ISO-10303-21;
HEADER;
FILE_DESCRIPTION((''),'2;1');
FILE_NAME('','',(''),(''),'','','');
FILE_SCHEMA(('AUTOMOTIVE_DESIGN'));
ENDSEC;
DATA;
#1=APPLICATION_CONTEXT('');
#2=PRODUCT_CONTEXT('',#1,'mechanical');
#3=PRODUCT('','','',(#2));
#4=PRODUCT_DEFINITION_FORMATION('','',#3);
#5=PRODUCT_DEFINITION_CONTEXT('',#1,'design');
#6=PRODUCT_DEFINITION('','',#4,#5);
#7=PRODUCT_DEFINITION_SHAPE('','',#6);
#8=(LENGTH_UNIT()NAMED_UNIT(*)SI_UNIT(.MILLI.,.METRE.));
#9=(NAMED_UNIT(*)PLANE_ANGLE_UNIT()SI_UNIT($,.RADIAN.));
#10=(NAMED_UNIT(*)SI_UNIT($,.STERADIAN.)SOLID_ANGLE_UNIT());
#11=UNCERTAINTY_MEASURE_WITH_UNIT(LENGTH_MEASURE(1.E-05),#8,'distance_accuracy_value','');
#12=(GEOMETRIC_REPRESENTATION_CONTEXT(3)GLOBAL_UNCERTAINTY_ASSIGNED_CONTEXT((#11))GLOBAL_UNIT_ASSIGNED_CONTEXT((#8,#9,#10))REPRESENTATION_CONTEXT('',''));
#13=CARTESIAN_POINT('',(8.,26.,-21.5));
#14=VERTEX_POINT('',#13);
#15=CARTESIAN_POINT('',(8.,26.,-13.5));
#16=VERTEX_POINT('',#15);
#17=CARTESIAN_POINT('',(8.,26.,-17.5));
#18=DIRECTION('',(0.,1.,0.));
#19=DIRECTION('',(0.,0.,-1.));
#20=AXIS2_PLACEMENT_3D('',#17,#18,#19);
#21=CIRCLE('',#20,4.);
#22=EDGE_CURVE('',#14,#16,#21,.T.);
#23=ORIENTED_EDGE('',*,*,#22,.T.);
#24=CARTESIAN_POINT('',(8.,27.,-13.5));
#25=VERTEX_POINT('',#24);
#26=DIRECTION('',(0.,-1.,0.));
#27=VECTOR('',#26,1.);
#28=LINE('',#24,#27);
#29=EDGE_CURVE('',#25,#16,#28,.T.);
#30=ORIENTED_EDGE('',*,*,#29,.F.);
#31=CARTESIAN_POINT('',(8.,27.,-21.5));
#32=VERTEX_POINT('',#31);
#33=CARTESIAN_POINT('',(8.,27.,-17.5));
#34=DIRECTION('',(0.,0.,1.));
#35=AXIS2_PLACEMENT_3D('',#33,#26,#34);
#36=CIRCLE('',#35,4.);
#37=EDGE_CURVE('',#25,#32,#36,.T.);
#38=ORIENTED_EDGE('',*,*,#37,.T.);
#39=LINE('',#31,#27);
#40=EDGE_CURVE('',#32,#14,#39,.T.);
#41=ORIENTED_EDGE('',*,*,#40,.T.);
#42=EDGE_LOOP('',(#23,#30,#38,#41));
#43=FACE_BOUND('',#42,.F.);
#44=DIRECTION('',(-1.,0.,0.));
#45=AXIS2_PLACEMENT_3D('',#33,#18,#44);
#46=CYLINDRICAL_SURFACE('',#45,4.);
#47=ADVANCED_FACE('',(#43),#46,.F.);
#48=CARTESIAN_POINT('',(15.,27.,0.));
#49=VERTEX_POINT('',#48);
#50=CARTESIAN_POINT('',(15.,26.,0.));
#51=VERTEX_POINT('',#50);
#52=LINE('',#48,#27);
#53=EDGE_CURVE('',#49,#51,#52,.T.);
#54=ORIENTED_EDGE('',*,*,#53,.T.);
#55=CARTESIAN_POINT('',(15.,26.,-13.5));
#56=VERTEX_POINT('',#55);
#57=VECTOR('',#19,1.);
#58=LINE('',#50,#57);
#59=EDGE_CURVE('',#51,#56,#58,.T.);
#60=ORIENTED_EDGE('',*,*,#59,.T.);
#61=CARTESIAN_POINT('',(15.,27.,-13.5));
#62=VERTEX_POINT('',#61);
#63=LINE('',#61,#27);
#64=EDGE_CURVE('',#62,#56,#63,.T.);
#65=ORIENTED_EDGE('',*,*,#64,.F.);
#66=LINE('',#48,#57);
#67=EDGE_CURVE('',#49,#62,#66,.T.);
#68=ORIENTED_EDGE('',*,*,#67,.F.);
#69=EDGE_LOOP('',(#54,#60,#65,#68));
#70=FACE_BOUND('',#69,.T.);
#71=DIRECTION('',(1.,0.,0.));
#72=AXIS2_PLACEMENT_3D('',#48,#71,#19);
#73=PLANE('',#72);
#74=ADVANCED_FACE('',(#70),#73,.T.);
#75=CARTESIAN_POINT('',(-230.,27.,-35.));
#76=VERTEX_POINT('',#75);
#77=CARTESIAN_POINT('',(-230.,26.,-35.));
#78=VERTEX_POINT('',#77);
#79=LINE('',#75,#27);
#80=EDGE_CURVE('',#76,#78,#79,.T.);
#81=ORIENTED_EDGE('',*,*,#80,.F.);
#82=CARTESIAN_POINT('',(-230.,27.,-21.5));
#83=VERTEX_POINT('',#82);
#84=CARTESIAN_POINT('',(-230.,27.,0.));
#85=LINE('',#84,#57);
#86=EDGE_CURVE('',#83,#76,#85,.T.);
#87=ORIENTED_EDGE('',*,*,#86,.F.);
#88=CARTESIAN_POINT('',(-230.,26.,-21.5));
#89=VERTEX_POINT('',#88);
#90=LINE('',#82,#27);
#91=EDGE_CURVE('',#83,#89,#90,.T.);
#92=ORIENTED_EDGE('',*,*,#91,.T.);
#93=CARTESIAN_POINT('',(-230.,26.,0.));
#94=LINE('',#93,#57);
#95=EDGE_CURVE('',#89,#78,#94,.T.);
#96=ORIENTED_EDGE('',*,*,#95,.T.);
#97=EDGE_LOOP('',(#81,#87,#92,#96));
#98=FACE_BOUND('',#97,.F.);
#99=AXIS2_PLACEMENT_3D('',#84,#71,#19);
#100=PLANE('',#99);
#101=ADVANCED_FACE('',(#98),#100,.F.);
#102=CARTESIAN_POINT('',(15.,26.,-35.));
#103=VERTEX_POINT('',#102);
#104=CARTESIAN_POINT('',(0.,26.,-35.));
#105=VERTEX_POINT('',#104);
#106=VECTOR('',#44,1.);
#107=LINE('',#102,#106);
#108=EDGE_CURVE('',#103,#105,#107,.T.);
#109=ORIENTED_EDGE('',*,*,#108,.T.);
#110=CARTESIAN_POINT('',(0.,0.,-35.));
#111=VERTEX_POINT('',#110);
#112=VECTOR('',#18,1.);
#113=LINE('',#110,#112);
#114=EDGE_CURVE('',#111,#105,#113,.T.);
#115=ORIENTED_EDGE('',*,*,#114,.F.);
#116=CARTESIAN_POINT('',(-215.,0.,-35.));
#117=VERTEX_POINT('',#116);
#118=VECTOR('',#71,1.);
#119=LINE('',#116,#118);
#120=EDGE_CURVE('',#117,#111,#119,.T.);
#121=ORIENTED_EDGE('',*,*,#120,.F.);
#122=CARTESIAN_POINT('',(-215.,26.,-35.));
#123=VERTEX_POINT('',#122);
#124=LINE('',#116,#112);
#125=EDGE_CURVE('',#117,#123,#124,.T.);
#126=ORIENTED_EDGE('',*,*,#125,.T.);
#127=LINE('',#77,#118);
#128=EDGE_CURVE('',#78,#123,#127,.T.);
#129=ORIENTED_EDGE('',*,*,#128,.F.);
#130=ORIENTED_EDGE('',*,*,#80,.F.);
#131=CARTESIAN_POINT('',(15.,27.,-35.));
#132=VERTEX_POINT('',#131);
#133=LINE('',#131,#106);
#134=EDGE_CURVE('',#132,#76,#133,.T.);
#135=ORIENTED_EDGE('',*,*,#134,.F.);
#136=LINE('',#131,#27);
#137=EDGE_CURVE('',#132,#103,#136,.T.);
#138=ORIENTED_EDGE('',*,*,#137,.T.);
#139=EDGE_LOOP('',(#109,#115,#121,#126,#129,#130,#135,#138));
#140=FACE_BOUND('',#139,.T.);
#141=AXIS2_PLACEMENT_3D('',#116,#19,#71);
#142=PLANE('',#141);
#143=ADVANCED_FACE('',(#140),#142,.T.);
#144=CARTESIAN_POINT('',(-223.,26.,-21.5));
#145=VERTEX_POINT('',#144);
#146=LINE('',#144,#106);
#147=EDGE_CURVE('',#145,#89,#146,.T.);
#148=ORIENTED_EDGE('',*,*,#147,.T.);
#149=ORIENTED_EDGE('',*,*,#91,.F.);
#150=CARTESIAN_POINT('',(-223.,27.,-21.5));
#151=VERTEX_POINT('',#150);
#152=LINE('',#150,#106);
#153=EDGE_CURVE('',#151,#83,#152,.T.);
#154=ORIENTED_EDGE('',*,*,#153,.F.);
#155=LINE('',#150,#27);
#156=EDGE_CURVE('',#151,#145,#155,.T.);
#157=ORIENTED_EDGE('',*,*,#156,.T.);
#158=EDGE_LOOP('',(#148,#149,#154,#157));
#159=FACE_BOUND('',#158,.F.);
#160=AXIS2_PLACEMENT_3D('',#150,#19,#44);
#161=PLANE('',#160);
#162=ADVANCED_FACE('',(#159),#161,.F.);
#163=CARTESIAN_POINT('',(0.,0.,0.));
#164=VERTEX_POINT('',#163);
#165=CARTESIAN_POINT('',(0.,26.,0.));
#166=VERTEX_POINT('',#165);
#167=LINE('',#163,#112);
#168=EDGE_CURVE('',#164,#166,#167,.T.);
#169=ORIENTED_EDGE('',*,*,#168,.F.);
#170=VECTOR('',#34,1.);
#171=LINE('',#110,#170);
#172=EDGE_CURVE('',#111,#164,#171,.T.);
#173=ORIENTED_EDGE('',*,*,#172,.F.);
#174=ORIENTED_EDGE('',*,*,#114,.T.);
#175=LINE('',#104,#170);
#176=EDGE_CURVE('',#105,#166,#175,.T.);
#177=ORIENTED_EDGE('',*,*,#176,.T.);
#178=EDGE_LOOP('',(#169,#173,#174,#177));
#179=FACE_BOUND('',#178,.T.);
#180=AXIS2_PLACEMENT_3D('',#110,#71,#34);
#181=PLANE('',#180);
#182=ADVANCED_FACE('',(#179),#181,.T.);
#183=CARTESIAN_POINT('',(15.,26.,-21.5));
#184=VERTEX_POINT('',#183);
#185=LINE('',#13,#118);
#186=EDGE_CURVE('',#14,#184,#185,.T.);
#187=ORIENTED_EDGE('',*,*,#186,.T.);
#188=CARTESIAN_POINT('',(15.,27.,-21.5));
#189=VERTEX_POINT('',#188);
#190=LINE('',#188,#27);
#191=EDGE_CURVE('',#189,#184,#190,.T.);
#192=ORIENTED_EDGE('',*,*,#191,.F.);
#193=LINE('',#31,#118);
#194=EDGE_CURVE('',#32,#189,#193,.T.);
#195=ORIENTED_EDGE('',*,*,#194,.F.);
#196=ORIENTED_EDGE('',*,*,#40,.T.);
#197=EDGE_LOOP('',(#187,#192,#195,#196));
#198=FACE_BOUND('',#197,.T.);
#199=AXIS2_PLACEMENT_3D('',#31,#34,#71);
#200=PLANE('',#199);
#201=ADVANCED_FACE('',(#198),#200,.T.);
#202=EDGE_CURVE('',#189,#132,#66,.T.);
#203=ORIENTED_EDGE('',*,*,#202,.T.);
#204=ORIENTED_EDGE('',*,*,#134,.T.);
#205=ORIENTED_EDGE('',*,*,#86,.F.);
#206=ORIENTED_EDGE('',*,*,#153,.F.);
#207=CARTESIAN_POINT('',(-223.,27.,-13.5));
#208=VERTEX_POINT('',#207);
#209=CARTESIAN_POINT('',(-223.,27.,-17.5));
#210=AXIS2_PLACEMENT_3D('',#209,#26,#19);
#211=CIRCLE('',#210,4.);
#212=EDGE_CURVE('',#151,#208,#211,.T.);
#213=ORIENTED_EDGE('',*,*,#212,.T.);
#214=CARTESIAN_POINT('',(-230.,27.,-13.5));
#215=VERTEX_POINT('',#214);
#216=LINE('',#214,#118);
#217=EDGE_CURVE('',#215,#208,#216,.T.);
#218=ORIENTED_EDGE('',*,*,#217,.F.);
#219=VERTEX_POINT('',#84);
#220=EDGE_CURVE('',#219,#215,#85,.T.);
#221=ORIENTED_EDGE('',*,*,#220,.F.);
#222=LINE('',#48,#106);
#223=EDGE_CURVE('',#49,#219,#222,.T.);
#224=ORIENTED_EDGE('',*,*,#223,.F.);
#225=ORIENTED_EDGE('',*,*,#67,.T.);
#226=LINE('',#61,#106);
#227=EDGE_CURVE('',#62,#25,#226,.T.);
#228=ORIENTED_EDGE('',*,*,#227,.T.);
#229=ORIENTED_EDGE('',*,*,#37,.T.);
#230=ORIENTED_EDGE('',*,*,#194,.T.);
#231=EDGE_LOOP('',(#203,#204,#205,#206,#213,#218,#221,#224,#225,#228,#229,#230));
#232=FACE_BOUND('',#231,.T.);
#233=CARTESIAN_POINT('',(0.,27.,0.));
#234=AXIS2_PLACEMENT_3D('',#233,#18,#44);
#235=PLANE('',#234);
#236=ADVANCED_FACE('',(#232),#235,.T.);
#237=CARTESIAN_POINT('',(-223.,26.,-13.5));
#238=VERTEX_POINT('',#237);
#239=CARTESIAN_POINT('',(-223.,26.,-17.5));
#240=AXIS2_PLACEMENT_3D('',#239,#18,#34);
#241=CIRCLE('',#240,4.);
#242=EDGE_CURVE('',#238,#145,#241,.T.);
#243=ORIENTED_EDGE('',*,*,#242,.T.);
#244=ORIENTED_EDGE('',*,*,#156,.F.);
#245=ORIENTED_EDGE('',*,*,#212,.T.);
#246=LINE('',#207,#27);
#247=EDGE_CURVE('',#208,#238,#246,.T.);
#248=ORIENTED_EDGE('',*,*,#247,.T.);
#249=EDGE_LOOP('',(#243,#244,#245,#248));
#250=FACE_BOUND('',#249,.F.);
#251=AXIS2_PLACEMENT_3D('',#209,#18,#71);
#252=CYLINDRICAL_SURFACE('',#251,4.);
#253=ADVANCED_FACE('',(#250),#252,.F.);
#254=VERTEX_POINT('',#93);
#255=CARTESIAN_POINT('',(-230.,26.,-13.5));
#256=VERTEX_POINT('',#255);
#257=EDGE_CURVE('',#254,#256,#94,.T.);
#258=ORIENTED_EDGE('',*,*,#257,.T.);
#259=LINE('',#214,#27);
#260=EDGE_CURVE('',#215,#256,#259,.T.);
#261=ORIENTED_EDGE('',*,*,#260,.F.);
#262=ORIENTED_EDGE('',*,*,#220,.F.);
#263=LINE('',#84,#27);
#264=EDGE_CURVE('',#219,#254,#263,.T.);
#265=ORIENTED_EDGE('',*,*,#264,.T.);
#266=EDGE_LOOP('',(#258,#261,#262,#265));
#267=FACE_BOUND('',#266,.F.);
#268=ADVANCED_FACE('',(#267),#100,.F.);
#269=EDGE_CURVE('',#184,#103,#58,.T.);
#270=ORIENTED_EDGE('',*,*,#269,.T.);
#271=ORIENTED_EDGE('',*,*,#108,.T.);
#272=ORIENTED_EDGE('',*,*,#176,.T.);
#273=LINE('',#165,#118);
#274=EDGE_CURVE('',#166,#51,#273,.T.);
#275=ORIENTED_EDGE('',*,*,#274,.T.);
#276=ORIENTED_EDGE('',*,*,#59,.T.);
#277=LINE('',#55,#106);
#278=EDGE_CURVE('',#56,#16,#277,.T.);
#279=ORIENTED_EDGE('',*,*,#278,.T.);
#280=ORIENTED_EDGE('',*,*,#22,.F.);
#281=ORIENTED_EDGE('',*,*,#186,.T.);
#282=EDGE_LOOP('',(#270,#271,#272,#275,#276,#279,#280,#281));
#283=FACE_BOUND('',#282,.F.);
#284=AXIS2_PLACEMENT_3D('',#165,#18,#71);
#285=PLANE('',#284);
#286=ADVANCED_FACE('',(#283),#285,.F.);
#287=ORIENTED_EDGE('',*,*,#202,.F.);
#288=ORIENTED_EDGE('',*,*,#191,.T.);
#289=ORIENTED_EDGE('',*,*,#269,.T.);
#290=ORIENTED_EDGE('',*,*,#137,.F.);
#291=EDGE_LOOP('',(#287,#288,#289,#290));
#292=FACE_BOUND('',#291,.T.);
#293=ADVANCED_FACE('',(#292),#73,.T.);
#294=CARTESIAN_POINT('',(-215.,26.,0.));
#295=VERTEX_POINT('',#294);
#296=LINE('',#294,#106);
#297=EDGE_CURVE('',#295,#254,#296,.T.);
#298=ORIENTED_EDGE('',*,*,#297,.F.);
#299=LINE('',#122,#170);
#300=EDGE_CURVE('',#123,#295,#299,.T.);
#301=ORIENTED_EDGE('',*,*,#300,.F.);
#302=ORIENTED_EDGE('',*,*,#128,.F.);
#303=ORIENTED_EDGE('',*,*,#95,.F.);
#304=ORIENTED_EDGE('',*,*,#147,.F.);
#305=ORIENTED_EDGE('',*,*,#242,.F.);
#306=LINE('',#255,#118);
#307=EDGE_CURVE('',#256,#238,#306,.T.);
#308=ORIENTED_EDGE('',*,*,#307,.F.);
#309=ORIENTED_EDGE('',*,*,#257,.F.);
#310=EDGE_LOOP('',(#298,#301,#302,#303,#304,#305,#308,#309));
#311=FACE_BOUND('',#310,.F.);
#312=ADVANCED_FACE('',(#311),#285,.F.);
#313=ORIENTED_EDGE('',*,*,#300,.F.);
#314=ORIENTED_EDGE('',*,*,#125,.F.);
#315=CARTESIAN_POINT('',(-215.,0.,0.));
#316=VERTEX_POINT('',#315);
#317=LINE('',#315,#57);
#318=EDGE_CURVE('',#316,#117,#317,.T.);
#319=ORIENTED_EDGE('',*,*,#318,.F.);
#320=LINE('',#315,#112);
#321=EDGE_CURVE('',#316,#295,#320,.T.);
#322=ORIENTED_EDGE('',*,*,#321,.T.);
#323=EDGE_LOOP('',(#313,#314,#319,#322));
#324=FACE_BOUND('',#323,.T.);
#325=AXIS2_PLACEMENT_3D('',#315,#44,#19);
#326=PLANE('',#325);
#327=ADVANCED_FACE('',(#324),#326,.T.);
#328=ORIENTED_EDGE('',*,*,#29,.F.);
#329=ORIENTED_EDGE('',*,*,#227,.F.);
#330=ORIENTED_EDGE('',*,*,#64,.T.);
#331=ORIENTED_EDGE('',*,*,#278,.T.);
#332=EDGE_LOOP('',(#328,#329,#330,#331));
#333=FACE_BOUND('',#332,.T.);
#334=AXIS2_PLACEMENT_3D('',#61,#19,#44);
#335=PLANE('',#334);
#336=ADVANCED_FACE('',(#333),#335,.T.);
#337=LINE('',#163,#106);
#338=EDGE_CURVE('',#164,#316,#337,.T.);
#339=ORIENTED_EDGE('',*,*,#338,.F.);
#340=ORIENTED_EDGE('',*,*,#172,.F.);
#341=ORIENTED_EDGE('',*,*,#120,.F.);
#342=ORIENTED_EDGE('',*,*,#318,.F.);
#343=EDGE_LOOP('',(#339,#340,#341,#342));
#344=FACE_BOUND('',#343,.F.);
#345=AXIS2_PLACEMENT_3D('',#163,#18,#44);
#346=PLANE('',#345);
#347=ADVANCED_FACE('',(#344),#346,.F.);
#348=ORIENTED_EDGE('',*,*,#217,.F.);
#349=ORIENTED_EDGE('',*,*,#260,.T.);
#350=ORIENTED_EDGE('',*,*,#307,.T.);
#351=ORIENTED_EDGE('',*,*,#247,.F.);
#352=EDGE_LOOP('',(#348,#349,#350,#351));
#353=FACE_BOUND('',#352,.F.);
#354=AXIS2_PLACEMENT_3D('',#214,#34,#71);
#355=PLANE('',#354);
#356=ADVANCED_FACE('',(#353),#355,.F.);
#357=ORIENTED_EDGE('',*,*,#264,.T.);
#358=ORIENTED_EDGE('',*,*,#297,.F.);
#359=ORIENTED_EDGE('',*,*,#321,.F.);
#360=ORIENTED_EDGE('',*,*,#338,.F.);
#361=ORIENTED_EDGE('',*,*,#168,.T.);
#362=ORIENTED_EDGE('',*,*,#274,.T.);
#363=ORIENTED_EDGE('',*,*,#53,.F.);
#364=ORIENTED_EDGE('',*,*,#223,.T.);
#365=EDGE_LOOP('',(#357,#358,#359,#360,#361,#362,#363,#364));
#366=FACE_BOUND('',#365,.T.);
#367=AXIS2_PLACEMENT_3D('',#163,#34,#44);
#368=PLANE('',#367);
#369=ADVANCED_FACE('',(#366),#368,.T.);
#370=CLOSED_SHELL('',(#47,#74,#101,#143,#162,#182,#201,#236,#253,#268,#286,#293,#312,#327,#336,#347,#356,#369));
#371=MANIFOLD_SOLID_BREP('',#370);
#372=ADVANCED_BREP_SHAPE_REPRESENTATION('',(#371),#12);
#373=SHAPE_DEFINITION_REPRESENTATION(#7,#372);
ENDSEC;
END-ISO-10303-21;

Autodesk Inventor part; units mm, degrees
ref_plane "YZ Plane" through (0, 0, 0) normal (1, 0, 0) x (0, 1, 0)
ref_plane "XZ Plane" through (0, 0, 0) normal (0, 1, 0) x (-1, 0, 0)
ref_plane "XY Plane" through (0, 0, 0) normal (0, 0, 1) x (1, 0, 0)
sketch "Sketch1" plane through (0, 0, 0) normal (0, 1, 0) x (-1, 0, 0)
  line L0 (0, 0) -> (215, 0)
  line L1 (215, 0) -> (215, -35)
  line L2 (215, -35) -> (0, -35)
  line L3 (0, -35) -> (0, 0)
  dimension "d0" = 215
  dimension "d1" = 35
extrude "Extrusion1" add sketch "Sketch1" along normal blind 27
sketch "Sketch2" plane through (0, 27, 0) normal (0, 1, 0) x (1, 0, 0)
  line L0 (0, 0) -> (15, 0)
  line L1 (15, 0) -> (15, 35)
  line L2 (15, 35) -> (0, 35)
  line L3 (0, 35) -> (0, 0)
  line L4 (-215, 35) -> (-215, 0) projected
  line L5 (-215, 0) -> (-230, 0)
  line L6 (-230, 0) -> (-230, 35)
  line L7 (-230, 35) -> (-215, 35)
  line L8 (-215, 35) -> (-215, 0)
  dimension "d4" = 15
  dimension "d5" = 35
  dimension "d6" = 15
  dimension "d7" = 35
extrude "Extrusion2" add sketch "Sketch2" against normal blind 1
sketch "Sketch3" plane through (0, 27, 0) normal (0, 1, 0) x (1, 0, 0)
  line L0 (15, 13.5) -> (8, 13.5)
  line L1 (4, 17.5) -> (4, 17.5)
  line L2 (8, 21.5) -> (15, 21.5)
  line L3 (15, 21.5) -> (15, 13.5)
  line L4 (15, 35) -> (-230, 35) projected
  line L5 (15, 0) -> (15, 35) projected
  line L6 (-230, 13.5) -> (-223, 13.5)
  line L7 (-219, 17.5) -> (-219, 17.5)
  line L8 (-223, 21.5) -> (-230, 21.5)
  line L9 (-230, 21.5) -> (-230, 13.5)
  line L10 (15, 0) -> (-230, 0) projected
  arc A0 (-223, 13.5) -> (-219, 17.5) centre (-223, 17.5) ccw
  arc A1 (-219, 17.5) -> (-223, 21.5) centre (-223, 17.5) ccw
  line L11 (-230, 0) -> (-230, 35) projected
  arc A2 (4, 17.5) -> (8, 13.5) centre (8, 17.5) ccw
  arc A3 (8, 21.5) -> (4, 17.5) centre (8, 17.5) ccw
  point P0 (0, 0)
  point P1 (4, 21.5)
  point P2 (4, 13.5)
  point P3 (-219, 21.5)
  point P4 (-219, 13.5)
  dimension "d10" = 11
  dimension "d11" = 8
  dimension "d12" = 13.5
  dimension "d13" = 0
  dimension "d14" = 11
  dimension "d15" = 8
  dimension "d16" = 13.5
  dimension "d17" = 4
  dimension "d18" = 4
  dimension "d19" = 0
  dimension "d20" = 4
extrude "Extrusion3" cut sketch "Sketch3" against normal blind 1 contours L0 A2 A3 L2 L3 | L9 L8 A1 A0 L6
properties part number "Balastro"
